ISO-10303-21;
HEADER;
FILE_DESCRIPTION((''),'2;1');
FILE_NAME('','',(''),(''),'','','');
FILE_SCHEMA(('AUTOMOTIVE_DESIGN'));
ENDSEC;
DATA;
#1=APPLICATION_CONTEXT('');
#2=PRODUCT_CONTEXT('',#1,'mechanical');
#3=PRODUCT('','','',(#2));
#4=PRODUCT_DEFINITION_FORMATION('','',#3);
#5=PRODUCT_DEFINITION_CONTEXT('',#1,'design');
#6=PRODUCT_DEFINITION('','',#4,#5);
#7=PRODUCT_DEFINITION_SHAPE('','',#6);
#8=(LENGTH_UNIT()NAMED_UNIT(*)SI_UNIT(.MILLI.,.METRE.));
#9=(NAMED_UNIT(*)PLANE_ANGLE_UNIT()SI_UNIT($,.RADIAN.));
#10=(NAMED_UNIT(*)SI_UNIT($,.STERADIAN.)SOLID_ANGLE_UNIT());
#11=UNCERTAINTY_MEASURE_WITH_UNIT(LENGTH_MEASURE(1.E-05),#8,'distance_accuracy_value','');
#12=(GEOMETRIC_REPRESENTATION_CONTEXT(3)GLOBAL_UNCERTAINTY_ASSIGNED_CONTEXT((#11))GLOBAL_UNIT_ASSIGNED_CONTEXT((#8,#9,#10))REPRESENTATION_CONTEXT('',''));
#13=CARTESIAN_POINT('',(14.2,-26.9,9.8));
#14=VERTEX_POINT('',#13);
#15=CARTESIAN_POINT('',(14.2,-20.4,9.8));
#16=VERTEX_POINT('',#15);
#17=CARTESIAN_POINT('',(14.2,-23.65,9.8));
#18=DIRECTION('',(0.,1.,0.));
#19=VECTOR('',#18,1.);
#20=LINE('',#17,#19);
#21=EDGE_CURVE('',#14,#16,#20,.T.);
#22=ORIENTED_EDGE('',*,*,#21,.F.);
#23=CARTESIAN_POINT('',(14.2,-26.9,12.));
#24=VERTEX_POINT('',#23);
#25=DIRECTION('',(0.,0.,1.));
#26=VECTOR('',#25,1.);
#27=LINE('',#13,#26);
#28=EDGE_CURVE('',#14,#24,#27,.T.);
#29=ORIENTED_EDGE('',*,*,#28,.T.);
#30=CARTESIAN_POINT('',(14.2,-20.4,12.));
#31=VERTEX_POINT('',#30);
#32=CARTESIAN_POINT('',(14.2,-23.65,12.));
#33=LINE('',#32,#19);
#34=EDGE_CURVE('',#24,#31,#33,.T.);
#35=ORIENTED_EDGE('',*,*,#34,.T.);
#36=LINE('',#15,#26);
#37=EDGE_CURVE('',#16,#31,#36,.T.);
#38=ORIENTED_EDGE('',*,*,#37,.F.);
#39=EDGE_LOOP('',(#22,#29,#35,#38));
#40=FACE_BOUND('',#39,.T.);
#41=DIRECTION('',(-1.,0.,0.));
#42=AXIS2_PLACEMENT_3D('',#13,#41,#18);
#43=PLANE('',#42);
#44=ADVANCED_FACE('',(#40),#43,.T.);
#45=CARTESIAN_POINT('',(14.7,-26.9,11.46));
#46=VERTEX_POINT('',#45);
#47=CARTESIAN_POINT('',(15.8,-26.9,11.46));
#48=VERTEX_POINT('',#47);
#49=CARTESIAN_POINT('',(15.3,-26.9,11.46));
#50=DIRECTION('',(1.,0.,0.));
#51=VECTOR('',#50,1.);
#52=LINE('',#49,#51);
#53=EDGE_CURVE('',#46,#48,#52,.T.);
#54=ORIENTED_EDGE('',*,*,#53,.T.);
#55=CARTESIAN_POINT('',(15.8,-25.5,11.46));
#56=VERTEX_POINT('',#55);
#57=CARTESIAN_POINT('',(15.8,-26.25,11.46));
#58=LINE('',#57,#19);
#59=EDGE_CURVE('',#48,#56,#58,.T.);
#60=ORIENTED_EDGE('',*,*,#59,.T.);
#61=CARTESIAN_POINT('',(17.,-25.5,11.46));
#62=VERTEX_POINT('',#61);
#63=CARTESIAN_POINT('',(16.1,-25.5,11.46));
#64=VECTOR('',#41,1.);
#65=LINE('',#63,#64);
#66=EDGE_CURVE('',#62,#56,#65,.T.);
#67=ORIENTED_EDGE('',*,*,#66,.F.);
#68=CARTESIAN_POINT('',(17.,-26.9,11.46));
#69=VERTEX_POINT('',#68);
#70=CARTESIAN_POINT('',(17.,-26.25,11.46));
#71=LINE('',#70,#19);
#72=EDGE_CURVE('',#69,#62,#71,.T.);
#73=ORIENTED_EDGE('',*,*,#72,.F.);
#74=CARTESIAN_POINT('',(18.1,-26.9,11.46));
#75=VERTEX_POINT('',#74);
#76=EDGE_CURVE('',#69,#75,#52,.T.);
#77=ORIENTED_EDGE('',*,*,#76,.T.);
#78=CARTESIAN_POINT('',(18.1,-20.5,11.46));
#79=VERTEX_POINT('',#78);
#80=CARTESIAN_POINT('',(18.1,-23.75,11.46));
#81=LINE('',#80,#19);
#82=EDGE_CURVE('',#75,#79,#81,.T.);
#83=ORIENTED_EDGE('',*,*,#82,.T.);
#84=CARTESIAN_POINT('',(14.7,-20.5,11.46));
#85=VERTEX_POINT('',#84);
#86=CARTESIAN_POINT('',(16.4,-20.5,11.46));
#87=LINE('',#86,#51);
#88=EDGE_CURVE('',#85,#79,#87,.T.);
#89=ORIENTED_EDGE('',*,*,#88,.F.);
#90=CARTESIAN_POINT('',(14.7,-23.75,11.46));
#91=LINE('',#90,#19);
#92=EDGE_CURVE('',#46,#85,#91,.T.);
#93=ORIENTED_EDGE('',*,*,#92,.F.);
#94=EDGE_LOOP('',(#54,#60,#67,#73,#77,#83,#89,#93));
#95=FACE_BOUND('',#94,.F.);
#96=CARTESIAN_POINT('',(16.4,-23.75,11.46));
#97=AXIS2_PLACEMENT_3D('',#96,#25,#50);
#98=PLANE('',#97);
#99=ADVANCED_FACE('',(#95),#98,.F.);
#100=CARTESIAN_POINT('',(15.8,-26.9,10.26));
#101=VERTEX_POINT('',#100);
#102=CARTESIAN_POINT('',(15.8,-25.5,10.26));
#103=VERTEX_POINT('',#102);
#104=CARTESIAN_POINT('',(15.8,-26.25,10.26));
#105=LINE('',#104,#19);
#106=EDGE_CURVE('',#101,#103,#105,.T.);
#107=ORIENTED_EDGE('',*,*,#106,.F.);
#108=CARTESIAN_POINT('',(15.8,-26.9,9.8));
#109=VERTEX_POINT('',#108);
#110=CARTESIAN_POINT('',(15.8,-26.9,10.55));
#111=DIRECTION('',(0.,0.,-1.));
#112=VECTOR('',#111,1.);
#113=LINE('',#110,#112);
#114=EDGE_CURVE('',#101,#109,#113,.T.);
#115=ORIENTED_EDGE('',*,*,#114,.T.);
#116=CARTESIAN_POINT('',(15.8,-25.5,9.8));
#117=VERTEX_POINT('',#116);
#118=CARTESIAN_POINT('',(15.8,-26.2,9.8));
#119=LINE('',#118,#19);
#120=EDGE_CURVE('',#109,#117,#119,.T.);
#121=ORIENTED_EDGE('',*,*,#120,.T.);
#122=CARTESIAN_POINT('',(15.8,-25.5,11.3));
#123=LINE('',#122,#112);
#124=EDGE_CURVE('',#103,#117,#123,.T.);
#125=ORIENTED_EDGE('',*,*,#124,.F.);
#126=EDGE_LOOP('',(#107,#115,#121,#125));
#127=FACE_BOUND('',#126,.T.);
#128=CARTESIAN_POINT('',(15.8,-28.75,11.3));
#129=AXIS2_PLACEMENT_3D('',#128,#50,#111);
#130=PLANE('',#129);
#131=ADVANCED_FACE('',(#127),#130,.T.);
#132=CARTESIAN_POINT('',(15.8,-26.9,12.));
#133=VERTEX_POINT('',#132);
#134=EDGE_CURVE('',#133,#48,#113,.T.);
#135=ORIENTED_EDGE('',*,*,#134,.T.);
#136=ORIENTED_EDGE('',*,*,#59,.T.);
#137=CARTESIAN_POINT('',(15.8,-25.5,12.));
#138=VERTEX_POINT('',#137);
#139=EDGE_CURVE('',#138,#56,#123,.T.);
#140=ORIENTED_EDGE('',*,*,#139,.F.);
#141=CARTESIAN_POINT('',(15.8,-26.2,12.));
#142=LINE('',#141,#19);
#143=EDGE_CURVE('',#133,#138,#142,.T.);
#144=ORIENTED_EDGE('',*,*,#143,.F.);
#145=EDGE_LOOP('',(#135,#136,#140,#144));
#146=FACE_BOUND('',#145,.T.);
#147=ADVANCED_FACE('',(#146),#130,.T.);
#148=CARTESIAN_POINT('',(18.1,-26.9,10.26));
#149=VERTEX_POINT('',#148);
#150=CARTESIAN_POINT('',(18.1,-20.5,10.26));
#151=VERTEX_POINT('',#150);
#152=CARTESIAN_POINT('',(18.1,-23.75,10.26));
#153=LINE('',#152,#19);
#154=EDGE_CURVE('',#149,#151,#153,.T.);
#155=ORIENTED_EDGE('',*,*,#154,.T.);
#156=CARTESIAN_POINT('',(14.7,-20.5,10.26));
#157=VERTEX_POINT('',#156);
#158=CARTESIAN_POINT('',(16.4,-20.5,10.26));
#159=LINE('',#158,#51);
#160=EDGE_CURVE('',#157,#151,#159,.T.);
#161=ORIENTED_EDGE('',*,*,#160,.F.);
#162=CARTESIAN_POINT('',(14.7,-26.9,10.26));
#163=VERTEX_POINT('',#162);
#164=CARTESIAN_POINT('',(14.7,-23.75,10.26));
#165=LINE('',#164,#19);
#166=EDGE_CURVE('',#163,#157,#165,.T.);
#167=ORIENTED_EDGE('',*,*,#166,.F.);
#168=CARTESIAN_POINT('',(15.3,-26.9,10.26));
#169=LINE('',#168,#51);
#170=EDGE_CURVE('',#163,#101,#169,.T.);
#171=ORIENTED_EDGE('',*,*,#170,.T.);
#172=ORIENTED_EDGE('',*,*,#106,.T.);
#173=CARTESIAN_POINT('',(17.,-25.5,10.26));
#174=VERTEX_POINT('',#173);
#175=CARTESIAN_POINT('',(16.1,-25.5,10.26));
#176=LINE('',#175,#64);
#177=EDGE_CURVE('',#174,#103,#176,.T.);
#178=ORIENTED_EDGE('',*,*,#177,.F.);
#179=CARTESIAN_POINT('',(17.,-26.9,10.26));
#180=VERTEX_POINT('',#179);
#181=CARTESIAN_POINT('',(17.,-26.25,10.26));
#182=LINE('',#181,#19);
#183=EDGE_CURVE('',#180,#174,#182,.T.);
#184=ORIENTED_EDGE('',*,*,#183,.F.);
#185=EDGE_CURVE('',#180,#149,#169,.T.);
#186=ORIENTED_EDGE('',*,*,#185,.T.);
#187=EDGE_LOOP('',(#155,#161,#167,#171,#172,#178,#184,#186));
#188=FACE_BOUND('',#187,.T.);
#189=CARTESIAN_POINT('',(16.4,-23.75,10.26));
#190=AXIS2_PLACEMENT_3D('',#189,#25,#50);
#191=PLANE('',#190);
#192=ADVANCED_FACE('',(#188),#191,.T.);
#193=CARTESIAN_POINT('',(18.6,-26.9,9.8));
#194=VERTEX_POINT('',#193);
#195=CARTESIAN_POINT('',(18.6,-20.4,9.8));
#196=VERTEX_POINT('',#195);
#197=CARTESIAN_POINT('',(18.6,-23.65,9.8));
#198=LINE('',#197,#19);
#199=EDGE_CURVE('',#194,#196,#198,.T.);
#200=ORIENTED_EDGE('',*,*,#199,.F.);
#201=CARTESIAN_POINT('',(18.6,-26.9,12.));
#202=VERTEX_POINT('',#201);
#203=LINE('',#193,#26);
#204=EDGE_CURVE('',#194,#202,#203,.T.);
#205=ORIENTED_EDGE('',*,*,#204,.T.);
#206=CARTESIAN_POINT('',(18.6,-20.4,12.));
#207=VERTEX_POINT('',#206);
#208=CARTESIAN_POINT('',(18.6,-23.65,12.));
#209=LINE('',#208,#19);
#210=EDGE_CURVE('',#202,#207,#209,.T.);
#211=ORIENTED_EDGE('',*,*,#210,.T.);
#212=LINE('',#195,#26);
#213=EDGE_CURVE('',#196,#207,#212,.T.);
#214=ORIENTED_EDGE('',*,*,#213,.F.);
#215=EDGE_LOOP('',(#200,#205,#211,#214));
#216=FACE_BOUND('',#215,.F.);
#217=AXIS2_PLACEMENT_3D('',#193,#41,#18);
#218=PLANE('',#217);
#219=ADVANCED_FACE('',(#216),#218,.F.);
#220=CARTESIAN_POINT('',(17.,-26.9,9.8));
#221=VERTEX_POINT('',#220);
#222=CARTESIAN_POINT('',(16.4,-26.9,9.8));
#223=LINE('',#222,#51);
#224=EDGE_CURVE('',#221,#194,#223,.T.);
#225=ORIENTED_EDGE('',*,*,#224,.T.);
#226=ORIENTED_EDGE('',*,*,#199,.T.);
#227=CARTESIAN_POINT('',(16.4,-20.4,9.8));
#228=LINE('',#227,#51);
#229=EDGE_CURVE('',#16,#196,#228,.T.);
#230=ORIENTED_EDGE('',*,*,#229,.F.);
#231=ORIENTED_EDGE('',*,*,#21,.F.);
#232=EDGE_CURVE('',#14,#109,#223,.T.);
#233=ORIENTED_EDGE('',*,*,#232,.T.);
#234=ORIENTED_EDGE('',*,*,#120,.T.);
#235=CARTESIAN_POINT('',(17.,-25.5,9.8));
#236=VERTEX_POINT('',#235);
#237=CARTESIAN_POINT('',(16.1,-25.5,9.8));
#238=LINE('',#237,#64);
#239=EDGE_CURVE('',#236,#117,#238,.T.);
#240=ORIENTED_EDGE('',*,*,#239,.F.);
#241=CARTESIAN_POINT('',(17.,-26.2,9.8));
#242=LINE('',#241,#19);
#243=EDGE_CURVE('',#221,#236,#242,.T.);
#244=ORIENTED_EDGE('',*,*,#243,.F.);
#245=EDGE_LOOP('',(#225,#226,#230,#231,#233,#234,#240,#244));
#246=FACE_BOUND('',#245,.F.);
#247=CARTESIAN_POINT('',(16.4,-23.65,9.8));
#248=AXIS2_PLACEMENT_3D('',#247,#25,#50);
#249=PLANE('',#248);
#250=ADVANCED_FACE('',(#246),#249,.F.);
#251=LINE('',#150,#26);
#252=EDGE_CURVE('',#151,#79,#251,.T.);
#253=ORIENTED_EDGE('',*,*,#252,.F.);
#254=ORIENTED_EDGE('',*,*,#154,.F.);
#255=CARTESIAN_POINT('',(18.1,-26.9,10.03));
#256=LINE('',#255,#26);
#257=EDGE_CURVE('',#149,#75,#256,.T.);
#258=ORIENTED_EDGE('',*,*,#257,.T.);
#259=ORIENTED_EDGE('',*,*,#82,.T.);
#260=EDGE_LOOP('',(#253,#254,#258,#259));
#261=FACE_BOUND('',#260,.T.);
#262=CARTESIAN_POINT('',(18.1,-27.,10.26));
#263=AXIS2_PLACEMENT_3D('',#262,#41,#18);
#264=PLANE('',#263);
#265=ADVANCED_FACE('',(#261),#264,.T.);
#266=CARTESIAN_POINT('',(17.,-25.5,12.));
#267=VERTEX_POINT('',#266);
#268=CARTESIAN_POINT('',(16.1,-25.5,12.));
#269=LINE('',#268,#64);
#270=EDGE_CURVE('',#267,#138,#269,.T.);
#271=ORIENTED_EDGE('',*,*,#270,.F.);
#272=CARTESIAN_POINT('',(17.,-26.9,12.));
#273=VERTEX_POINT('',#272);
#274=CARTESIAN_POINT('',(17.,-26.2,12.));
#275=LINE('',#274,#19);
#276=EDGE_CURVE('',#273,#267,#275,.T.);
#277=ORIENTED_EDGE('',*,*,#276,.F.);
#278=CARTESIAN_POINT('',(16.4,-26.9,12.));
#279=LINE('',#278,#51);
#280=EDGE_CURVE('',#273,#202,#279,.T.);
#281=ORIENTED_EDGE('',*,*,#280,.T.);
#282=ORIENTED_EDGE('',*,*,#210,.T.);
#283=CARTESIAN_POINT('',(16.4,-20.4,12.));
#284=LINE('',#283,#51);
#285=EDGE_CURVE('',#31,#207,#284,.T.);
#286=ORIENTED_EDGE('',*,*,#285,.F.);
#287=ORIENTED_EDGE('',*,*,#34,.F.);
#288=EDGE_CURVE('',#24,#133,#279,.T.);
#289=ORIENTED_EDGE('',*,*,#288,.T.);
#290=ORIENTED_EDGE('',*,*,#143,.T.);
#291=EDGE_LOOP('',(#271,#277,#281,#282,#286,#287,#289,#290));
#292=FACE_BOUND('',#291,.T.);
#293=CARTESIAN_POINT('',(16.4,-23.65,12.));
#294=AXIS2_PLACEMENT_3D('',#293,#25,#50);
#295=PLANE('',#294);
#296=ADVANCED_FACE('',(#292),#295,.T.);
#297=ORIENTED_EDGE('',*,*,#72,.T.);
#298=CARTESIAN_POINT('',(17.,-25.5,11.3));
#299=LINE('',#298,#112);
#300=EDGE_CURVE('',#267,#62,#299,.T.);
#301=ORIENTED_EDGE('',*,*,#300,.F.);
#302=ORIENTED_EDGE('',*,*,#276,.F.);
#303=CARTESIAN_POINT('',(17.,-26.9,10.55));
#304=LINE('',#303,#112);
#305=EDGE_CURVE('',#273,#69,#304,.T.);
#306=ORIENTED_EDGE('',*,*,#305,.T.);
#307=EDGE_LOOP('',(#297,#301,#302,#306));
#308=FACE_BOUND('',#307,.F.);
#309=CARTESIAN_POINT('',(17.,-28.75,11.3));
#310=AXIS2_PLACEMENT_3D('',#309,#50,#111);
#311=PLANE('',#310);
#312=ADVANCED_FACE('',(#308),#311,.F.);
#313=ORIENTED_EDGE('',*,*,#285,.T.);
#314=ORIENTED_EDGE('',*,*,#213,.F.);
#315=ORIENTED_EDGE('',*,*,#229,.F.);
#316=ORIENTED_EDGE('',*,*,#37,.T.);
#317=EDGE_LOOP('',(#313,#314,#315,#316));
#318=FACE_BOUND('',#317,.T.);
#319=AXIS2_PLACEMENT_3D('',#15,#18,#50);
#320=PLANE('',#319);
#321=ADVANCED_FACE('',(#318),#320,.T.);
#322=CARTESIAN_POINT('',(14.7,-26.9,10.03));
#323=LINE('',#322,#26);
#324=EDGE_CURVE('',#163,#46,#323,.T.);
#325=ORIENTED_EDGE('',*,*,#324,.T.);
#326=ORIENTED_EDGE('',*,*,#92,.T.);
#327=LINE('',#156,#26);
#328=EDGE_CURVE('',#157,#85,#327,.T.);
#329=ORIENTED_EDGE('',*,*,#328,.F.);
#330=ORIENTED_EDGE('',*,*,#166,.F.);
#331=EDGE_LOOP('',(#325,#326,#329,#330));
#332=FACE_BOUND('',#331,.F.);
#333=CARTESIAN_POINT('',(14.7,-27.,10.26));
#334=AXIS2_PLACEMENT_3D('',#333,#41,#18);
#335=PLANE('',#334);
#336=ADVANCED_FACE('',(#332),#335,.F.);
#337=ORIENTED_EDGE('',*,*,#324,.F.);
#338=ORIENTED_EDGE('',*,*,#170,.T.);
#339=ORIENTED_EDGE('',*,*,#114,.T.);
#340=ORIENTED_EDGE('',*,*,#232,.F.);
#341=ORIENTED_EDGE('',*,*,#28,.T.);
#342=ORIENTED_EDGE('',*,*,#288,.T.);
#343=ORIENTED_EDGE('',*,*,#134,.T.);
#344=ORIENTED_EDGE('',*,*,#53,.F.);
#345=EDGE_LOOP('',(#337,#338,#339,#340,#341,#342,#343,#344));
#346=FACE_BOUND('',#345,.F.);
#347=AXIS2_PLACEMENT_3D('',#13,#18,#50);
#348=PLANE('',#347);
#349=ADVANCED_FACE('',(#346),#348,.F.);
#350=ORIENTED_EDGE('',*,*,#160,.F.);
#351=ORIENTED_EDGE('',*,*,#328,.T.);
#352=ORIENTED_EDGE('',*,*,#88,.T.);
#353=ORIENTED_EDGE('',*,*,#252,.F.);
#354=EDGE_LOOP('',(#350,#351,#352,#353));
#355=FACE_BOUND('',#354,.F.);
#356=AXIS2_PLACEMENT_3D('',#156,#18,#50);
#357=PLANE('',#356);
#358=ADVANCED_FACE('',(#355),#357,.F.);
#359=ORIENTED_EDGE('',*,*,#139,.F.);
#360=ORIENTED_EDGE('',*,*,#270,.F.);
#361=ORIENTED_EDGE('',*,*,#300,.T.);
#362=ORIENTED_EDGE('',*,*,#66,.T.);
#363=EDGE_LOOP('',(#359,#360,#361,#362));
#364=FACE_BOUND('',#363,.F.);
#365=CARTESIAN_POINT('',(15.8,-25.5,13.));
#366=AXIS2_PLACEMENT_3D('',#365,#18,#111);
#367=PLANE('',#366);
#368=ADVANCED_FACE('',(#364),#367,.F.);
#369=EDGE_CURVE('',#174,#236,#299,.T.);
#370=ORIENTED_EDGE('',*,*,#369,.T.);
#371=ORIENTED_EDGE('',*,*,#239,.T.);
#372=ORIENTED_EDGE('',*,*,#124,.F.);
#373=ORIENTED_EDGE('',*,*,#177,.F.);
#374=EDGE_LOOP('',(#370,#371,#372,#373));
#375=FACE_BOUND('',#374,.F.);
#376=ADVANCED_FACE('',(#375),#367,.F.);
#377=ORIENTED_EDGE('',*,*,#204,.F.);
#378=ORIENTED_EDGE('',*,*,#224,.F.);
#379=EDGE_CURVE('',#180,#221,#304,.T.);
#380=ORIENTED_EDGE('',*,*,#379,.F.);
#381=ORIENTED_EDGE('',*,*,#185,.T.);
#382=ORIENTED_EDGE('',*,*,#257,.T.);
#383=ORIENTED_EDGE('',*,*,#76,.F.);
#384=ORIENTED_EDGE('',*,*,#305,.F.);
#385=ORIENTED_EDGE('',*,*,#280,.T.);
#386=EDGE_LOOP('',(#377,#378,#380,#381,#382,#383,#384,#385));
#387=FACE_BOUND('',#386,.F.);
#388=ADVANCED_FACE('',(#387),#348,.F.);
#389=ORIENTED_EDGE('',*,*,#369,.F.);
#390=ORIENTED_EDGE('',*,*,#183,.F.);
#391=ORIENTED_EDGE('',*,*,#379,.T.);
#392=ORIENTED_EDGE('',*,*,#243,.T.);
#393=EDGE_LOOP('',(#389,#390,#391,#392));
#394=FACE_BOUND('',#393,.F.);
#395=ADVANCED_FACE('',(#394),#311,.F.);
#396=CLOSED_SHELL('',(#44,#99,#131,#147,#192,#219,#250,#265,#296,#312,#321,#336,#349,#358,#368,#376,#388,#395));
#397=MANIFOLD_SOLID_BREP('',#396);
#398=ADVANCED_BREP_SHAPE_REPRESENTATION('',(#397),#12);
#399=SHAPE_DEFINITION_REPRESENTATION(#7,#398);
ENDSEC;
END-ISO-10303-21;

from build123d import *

# Parameters (mm, degrees)
BOX307_W     = 3.4
BOX307_H     = 6.5
BOX307_DEPTH = 1.2
BOX306_W     = 3.4
BOX306_H     = 6.5
BOX306_DEPTH = 1.2
BOX305_W     = 4.4
BOX305_H     = 6.5
BOX305_DEPTH = 2.2


with BuildPart() as cubo292:
    # Box307 → Box307 (new body)
    with BuildSketch(Plane(origin=(15.8, -32, 13), x_dir=(0, 0, -1), z_dir=(1, 0, 0))):
        with Locations((1.7, 3.25)):
            Rectangle(BOX307_W, BOX307_H)
    extrude(amount=BOX307_DEPTH)


with BuildPart() as cubo291:
    # Box306 → Box306 (new body)
    with BuildSketch(Plane(origin=(14.7, -27, 10.26), x_dir=(1, 0, 0), z_dir=(0, 0, 1))):
        with Locations((1.7, 3.25)):
            Rectangle(BOX306_W, BOX306_H)
    extrude(amount=BOX306_DEPTH)


with BuildPart() as conectorunionpines:
    # Box305 → Box305 (new body)
    with BuildSketch(Plane(origin=(14.2, -26.9, 9.8), x_dir=(1, 0, 0), z_dir=(0, 0, 1))):
        with Locations((2.2, 3.25)):
            Rectangle(BOX305_W, BOX305_H)
    extrude(amount=BOX305_DEPTH)

    # Cut348: cut Cubo291
    add(cubo291.part, mode=Mode.SUBTRACT)

    # Cut349: cut Cubo292
    add(cubo292.part, mode=Mode.SUBTRACT)


solid = conectorunionpines.part
